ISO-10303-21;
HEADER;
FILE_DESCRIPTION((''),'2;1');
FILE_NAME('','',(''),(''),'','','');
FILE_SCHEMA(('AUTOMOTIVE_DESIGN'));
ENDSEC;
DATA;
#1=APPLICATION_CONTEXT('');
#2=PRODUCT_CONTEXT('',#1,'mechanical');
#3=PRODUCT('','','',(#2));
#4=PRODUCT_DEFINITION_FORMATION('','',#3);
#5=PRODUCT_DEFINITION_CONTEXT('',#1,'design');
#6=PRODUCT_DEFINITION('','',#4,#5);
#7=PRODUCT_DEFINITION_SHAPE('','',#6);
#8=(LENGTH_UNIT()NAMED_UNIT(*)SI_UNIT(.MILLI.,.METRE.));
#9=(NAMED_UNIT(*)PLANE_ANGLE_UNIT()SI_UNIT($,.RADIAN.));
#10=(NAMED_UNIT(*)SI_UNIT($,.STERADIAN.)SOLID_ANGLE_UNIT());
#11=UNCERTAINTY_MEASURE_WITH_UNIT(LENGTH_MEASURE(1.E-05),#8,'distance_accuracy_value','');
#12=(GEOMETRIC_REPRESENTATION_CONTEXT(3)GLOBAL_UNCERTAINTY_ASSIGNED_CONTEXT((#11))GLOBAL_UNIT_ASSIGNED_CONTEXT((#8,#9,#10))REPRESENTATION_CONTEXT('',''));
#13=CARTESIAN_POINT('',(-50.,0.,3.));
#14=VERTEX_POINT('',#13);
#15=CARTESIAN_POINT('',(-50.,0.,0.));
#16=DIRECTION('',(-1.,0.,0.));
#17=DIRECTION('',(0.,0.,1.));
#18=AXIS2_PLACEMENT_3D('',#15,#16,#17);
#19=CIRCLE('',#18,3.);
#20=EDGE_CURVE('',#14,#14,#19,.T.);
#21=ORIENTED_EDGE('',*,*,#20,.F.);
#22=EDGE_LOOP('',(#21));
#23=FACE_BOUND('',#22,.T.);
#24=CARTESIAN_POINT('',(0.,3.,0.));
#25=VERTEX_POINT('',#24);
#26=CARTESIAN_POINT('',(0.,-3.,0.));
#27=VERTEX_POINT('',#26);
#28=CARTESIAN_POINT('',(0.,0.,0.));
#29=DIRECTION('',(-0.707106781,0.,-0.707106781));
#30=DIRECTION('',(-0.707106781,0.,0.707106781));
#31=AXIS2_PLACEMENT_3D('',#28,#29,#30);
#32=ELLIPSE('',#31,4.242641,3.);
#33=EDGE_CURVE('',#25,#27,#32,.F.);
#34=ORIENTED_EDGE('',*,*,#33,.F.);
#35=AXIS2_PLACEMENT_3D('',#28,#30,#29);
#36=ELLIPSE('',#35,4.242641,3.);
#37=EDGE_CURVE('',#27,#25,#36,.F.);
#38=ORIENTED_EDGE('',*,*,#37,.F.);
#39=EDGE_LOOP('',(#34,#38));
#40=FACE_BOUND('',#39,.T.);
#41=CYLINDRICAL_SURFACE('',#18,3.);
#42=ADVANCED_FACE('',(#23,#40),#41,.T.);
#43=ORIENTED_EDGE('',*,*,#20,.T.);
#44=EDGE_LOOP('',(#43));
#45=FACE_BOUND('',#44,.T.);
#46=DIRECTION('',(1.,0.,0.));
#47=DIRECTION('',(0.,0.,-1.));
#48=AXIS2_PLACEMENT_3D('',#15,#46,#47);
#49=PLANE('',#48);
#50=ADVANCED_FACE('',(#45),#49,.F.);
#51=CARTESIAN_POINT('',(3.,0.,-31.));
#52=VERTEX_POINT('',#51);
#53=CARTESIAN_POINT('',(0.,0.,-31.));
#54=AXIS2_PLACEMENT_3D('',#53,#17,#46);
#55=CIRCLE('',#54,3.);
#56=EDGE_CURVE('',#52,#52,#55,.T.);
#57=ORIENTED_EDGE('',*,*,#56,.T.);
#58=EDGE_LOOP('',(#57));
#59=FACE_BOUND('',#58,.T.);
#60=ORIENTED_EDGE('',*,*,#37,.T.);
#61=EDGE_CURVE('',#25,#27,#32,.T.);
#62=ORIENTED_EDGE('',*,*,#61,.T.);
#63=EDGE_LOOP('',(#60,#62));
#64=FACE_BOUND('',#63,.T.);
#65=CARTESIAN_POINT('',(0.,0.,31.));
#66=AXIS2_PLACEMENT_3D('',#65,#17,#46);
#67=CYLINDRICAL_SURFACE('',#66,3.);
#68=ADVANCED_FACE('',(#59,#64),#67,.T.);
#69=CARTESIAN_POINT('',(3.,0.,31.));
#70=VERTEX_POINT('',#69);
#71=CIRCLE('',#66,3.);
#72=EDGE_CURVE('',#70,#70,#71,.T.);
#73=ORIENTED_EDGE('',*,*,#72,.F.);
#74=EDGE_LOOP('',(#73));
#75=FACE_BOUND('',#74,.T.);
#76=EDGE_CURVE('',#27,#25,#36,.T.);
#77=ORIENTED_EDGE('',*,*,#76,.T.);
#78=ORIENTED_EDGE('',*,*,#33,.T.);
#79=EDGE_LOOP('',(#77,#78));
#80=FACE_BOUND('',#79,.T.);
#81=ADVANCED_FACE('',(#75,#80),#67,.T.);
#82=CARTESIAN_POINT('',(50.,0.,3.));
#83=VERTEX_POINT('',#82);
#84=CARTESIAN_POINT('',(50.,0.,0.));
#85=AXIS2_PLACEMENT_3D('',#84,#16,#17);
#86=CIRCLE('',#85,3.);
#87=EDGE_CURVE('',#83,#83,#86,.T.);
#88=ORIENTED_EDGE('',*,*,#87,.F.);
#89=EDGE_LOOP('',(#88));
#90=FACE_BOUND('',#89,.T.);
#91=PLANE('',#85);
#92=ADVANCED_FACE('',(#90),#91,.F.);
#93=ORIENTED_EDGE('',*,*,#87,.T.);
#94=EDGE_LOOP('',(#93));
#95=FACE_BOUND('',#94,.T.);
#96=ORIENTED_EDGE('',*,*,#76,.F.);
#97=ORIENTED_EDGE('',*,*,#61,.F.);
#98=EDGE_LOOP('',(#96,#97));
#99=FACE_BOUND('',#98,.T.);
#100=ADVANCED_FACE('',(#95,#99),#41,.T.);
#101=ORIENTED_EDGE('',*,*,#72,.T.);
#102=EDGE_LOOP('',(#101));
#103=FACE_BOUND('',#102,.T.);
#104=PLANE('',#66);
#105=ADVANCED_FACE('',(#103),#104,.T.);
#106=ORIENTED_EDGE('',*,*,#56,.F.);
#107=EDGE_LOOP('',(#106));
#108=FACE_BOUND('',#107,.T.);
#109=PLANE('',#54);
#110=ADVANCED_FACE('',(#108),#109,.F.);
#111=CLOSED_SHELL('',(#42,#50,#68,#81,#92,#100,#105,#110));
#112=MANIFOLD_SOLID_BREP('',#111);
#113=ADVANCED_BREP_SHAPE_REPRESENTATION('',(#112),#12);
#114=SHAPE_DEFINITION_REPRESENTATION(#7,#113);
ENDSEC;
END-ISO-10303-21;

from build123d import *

# Parameters (mm, degrees)
SKETCH_1_W = 100
SKETCH_1_H = 3
SKETCH_2_W = 62
SKETCH_2_H = 3


with BuildPart() as part:
    # 草图1 → 旋转1 (revolve)
    with BuildSketch(Plane.XY, mode=Mode.PRIVATE) as revolve_1_sk:
        with Locations((0, 1.5)):
            Rectangle(SKETCH_1_W, SKETCH_1_H)
    revolve(revolve_1_sk.sketch.rotate(Axis((-50, 0, 0), (1, 0, 0)), 90), axis=Axis((-50, 0, 0), (1, 0, 0)))

    # 草图2 → 旋转3 (revolve)
    with BuildSketch(Plane(origin=(0, 0, 0), x_dir=(0, 0, -1), z_dir=(1, 0, 0)), mode=Mode.PRIVATE) as revolve_3_sk:
        with Locations((0, 1.5)):
            Rectangle(SKETCH_2_W, SKETCH_2_H)
    revolve(revolve_3_sk.sketch.rotate(Axis((0, 0, 31), (0, 0, -1)), 90), axis=Axis((0, 0, 31), (0, 0, -1)))


solid = part.part
